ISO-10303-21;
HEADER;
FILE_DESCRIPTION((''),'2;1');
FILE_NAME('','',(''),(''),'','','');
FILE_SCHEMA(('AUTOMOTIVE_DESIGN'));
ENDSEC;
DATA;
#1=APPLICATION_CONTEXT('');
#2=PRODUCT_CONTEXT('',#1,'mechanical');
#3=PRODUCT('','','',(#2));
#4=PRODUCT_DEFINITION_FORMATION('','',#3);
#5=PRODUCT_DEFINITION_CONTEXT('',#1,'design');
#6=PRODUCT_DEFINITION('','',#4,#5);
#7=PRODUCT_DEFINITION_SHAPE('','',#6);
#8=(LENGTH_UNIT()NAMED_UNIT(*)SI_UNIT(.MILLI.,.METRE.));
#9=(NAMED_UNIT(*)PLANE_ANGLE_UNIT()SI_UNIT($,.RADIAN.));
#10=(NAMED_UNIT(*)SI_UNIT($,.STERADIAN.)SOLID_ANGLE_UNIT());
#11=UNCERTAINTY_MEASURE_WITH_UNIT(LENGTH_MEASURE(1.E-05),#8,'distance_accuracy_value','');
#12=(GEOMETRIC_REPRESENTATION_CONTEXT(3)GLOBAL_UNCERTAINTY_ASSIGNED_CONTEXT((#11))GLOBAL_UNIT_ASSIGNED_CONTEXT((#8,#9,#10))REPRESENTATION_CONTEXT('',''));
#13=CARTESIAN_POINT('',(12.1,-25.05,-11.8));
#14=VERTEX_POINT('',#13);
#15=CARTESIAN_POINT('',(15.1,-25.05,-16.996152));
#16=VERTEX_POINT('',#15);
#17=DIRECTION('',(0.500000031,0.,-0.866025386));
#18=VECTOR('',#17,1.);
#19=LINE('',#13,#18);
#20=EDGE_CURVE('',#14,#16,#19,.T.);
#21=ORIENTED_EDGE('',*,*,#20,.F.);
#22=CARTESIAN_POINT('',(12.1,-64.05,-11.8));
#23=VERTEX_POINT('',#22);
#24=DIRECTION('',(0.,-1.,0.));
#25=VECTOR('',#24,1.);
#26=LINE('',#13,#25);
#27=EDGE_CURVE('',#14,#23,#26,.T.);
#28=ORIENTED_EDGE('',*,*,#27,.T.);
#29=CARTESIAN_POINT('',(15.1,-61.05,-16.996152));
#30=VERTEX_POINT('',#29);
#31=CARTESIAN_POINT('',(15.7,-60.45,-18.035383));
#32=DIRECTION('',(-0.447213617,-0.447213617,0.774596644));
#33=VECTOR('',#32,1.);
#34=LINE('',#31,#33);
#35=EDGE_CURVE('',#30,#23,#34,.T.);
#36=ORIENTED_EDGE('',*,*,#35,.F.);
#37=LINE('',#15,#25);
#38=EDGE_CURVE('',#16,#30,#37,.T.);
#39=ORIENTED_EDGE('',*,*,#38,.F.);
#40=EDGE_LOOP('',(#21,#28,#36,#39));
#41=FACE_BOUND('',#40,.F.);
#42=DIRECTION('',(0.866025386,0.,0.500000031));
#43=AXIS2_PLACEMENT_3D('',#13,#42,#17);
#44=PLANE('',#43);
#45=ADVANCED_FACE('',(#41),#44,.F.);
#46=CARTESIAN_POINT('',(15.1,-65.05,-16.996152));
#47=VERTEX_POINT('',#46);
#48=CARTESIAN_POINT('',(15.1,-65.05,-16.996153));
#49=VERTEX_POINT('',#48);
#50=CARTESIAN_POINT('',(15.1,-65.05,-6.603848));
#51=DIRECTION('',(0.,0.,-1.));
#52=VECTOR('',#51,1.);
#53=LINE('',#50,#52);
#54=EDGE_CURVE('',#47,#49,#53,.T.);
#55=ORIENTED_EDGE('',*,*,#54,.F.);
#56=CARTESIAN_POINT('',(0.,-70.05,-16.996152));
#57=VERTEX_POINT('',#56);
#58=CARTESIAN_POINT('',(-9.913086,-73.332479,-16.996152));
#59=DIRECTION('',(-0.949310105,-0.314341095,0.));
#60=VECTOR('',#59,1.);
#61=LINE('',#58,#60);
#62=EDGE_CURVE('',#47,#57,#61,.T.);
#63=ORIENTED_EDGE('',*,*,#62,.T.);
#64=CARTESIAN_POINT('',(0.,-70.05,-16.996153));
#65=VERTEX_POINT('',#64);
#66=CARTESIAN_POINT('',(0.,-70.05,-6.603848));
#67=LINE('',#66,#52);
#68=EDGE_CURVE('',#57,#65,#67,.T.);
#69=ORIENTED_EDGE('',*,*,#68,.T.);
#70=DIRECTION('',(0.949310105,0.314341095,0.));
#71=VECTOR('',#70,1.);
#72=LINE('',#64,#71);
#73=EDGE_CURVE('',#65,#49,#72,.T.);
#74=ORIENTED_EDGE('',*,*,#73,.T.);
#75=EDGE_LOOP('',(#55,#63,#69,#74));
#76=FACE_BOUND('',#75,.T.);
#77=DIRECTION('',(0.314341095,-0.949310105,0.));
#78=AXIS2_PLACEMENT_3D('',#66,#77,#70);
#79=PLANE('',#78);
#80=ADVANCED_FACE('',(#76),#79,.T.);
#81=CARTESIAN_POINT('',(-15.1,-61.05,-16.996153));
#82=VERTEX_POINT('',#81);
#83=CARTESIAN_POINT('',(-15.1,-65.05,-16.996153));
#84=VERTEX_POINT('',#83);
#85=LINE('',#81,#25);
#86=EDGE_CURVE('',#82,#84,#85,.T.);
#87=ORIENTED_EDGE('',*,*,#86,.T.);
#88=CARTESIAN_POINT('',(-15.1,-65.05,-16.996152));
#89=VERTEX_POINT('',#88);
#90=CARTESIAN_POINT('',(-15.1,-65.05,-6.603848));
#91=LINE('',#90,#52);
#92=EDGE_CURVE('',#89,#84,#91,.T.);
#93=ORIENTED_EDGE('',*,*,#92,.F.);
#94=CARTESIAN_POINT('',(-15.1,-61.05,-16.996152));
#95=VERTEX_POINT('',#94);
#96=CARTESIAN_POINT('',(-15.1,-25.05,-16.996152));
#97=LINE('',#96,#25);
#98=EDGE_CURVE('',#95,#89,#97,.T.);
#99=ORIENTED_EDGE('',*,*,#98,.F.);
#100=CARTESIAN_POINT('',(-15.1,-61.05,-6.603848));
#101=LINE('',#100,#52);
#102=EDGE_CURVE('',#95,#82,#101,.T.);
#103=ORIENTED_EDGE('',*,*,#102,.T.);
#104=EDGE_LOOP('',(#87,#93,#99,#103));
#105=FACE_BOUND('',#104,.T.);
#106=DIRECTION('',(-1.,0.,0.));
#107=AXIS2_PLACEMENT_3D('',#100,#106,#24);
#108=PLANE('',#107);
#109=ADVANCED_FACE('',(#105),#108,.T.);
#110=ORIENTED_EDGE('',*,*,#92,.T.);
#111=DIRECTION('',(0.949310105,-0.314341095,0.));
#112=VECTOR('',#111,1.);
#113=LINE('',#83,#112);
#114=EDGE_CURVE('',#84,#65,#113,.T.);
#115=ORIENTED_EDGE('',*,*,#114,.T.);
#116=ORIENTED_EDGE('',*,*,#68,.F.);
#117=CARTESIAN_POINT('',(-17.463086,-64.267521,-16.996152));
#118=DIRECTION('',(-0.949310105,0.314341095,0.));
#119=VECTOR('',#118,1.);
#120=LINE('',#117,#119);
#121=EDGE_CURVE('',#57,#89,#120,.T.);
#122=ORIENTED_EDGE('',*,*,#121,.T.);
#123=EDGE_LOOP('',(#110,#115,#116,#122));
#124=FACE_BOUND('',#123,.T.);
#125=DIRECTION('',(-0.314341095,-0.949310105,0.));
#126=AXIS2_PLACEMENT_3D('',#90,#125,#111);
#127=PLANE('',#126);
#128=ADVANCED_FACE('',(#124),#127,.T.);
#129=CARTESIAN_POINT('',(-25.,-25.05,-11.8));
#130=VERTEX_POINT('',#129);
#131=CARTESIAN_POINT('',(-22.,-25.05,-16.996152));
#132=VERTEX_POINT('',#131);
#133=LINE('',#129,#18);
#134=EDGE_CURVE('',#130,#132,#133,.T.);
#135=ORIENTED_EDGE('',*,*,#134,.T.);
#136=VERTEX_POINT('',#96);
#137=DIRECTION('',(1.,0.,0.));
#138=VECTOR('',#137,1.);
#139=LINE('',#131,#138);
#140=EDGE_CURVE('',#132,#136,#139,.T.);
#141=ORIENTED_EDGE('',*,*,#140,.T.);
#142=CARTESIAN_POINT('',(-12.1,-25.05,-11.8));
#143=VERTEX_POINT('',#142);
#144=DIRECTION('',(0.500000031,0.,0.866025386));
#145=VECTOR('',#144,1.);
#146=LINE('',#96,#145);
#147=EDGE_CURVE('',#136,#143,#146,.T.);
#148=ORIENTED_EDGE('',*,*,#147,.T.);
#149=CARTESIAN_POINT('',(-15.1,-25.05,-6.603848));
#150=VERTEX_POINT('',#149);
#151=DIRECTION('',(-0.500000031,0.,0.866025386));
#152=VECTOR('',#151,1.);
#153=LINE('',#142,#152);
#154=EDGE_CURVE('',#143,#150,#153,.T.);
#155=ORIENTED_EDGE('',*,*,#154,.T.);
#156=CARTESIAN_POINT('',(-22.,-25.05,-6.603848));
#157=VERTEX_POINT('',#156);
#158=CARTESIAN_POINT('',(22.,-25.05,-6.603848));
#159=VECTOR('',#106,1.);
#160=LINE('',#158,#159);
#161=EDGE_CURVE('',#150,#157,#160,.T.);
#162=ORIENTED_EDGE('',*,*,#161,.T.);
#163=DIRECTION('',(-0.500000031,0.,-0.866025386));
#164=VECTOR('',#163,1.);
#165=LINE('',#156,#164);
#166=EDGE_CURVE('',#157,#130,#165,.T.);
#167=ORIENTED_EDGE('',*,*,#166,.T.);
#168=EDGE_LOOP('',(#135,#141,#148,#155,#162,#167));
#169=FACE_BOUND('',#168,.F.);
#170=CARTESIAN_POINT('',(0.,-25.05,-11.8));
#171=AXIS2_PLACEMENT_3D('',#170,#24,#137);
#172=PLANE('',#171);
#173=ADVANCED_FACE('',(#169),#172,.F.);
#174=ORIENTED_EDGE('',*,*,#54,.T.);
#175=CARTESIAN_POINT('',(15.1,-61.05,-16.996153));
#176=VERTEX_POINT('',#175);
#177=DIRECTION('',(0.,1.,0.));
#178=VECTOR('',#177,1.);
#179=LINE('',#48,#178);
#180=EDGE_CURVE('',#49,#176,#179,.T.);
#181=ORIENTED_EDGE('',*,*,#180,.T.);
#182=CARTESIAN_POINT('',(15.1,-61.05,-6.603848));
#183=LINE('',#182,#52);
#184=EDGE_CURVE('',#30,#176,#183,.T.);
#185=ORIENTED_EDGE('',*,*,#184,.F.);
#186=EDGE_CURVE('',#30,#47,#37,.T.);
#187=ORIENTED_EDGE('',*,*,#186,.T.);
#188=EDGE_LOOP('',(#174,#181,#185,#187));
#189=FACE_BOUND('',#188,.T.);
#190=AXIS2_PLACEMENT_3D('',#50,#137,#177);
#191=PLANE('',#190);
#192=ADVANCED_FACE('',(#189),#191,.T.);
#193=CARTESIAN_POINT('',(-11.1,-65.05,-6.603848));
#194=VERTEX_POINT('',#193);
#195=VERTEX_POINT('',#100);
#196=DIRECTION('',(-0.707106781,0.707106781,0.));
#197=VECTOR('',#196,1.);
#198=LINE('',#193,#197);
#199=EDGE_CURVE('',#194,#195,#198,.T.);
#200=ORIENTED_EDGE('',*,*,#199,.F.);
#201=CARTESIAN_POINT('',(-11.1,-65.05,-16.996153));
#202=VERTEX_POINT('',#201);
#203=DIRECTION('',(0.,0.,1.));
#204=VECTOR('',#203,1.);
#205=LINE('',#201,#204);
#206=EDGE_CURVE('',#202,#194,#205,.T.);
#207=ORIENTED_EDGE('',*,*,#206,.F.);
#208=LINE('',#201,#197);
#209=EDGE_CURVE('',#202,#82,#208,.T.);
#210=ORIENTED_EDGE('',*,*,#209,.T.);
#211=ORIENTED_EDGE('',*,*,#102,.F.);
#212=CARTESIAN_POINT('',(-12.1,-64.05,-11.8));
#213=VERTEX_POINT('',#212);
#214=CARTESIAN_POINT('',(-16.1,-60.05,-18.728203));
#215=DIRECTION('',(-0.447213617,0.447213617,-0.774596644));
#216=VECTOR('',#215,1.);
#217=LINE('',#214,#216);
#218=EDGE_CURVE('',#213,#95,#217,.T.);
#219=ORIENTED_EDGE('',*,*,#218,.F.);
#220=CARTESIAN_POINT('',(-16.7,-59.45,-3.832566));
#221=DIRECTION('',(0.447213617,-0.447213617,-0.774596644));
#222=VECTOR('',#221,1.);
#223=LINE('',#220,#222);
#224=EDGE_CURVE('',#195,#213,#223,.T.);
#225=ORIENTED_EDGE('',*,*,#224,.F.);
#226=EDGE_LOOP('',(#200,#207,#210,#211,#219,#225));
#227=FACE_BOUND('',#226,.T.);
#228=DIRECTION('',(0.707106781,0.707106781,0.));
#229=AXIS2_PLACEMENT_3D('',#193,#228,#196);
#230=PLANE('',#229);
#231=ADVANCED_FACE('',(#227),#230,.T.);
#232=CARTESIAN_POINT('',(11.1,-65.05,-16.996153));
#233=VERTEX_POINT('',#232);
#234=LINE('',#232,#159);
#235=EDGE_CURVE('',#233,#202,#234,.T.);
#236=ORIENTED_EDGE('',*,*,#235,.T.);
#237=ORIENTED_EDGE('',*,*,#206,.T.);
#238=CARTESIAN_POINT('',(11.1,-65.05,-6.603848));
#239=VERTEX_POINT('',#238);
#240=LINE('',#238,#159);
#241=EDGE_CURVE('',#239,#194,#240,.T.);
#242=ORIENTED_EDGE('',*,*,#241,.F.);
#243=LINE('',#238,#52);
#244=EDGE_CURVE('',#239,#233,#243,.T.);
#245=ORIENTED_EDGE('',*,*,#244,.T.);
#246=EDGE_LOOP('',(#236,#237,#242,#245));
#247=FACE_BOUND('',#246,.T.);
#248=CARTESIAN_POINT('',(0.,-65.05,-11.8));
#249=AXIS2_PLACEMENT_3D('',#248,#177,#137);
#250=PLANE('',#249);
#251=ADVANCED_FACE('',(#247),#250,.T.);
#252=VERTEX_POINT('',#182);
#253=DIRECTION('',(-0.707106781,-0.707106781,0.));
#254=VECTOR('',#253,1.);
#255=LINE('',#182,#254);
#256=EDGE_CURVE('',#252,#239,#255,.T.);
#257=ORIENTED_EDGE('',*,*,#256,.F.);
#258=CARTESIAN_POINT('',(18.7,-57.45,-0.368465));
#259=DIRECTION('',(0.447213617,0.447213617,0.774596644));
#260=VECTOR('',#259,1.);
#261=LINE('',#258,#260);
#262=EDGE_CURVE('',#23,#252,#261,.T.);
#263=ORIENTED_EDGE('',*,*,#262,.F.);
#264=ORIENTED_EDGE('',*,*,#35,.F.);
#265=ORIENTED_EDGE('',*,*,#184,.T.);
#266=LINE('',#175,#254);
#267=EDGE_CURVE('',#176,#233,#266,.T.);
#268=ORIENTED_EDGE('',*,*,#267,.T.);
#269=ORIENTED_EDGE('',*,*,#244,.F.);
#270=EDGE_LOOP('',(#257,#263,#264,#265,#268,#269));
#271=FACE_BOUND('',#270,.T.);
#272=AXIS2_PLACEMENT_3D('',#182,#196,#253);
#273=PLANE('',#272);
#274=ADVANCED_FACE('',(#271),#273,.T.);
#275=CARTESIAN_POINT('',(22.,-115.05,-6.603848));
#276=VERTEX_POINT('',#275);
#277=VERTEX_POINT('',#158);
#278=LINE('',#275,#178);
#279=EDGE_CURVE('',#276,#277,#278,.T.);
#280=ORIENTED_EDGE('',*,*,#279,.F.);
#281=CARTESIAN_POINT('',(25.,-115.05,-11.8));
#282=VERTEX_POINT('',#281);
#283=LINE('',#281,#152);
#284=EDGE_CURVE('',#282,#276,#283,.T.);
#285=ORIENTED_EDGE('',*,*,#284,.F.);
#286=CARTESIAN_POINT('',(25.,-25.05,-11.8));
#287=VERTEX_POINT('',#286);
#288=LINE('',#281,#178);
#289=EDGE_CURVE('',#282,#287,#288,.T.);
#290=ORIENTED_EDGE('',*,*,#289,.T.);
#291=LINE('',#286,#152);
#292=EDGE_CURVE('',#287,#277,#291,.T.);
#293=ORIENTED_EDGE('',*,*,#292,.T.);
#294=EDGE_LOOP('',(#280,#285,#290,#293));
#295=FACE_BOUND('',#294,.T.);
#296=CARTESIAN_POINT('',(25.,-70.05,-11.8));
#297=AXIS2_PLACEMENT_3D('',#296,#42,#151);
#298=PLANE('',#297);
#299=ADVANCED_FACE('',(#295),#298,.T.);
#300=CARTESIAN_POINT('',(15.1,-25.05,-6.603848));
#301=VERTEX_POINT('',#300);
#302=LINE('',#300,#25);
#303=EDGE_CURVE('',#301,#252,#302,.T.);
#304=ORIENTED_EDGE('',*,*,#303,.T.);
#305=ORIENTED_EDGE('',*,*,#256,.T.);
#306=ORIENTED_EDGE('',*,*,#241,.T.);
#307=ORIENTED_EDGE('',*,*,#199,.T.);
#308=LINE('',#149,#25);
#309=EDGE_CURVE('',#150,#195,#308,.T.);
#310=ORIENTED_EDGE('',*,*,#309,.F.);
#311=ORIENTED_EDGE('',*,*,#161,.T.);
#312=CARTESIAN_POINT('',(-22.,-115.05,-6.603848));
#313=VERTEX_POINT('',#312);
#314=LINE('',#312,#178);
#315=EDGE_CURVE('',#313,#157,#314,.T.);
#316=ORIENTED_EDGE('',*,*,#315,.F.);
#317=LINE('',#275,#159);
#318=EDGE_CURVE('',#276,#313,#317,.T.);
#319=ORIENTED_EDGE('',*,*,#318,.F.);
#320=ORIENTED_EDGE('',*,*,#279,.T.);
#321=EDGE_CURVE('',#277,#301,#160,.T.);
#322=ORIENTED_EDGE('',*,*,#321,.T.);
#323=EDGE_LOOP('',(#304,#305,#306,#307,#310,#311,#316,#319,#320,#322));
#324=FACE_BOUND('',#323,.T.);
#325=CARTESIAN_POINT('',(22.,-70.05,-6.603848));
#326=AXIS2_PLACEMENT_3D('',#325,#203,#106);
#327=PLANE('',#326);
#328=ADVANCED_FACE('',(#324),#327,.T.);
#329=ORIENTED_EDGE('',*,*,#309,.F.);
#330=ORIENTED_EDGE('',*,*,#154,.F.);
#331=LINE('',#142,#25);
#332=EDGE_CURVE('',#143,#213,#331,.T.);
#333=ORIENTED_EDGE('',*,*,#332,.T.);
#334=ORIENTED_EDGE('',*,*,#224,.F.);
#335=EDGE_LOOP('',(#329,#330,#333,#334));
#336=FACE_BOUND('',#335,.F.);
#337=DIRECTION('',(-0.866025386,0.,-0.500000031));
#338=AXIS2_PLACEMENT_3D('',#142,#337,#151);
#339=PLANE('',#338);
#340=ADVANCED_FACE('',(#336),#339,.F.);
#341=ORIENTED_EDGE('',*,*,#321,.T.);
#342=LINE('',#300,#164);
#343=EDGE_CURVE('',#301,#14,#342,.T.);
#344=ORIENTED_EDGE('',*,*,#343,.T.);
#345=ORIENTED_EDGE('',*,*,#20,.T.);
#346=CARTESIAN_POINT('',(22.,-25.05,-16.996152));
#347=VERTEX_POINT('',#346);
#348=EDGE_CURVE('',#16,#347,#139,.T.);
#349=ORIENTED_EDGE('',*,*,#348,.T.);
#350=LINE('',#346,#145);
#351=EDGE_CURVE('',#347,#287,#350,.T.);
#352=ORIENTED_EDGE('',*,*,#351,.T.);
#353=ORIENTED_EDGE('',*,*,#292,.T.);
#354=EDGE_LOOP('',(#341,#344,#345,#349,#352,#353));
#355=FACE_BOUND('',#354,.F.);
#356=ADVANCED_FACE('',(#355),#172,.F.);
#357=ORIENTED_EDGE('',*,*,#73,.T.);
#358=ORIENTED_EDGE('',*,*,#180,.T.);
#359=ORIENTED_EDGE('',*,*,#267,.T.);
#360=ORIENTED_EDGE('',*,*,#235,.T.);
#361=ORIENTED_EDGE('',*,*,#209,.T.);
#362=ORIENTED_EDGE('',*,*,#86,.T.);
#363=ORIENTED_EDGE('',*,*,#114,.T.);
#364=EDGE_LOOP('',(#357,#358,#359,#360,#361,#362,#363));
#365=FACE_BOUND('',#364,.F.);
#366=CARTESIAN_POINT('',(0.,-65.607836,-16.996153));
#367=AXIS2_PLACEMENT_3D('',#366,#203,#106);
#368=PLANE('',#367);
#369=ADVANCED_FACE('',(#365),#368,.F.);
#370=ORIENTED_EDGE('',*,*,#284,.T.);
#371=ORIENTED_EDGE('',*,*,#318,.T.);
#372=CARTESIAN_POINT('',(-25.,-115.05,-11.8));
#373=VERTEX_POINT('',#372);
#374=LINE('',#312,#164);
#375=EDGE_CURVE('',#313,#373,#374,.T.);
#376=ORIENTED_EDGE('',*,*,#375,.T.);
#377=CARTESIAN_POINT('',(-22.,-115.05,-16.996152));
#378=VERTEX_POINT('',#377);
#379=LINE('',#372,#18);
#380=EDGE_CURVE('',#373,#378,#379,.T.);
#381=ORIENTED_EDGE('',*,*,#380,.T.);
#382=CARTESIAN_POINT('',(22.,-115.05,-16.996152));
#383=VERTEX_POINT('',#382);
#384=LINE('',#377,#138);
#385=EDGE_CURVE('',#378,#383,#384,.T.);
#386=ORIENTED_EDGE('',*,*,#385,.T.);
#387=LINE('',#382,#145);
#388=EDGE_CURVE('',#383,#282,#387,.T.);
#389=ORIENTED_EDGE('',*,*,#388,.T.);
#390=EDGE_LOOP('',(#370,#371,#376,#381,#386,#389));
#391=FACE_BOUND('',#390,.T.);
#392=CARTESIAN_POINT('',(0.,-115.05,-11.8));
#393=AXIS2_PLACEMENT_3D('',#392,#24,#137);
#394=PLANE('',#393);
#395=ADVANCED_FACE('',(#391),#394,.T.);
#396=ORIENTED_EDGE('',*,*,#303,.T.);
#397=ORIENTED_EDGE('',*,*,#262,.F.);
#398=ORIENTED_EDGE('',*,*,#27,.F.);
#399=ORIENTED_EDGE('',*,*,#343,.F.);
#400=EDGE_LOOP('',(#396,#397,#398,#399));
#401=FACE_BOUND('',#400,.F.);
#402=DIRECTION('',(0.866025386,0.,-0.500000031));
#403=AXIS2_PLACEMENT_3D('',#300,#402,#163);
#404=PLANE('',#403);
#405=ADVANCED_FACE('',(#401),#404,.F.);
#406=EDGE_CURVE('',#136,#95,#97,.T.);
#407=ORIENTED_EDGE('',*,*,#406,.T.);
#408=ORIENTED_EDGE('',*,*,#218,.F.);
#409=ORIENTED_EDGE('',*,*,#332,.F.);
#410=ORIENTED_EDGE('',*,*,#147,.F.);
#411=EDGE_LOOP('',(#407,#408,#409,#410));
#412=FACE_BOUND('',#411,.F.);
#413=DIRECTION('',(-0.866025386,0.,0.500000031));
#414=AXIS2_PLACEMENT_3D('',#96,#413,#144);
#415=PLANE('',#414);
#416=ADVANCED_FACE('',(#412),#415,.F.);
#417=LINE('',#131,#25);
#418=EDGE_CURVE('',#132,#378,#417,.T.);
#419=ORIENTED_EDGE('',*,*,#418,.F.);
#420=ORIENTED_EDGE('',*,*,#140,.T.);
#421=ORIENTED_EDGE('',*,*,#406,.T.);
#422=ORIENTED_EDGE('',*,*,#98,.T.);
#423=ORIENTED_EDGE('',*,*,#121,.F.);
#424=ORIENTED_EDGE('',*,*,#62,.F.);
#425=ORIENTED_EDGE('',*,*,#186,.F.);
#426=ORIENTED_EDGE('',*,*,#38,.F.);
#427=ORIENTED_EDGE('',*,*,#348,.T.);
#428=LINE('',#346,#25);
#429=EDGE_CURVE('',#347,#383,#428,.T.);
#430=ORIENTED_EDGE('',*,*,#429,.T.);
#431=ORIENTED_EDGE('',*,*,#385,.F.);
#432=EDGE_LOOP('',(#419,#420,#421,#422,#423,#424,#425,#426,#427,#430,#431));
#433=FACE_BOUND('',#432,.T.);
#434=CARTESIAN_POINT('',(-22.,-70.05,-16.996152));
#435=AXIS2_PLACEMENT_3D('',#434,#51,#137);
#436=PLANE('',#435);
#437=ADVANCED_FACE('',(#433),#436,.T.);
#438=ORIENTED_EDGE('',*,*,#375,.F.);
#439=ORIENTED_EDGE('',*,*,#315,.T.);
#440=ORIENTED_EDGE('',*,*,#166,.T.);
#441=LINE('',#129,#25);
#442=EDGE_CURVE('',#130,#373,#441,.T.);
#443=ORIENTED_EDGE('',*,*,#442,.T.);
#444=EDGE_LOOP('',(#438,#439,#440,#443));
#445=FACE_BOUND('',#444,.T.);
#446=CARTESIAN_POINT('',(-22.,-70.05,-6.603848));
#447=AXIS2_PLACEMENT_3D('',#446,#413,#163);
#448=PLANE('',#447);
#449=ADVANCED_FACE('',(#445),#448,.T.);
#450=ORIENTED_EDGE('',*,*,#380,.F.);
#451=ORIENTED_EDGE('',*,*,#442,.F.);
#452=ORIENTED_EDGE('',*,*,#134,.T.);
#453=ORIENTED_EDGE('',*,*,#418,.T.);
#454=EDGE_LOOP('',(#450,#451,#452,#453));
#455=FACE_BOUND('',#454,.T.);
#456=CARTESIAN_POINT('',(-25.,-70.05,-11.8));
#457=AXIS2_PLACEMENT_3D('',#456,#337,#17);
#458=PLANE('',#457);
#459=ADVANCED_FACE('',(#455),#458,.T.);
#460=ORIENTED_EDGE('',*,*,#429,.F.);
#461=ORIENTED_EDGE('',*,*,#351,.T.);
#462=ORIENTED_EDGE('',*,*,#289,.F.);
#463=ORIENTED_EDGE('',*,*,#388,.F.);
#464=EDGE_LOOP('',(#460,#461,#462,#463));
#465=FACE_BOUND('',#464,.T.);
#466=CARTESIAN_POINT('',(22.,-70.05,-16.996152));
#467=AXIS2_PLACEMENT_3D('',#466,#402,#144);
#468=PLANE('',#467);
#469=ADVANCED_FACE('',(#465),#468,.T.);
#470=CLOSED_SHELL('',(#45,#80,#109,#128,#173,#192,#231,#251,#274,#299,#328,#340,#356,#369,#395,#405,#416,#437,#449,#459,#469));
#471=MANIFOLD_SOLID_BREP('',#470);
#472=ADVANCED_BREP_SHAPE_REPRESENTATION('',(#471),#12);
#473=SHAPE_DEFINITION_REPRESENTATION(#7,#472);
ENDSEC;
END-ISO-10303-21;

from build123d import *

# Parameters (mm, degrees)
PAD008_DEPTH    = 45
POCKET003_DEPTH = 40
PAD009_DEPTH    = 10.392305


with BuildPart() as part:
    # Sketch013 → Pad008 (new body, symmetric)
    with BuildSketch(Plane.XZ):
        Polygon((-22, 5.196152), (-25, 0), (-22, -5.196152), (22, -5.196152), (25, 0), (22, 5.196152), align=None)
    extrude(amount=PAD008_DEPTH, both=True)

    # Sketch014 (on Face7 of Pad008) → Pocket003 (cut)
    with BuildSketch(Plane(origin=(0, 45, 0), x_dir=(1, 0, 0), z_dir=(0, 1, 0))):
        Polygon((15.1, -5.196152), (12.1, 0), (15.1, 5.196152), (-15.1, 5.196152), (-12.1, 0), (-15.1, -5.196152), align=None)
    extrude(amount=-POCKET003_DEPTH, mode=Mode.SUBTRACT)

    # Sketch015 (on Face1 of Pocket003) → Pad009 (join)
    with BuildSketch(Plane(origin=(0, 0, 5.196152), x_dir=(-1, 0, 0), z_dir=(0, 0, 1))):
        Polygon((-15.1, -5), (-15.1, -9), (-11.1, -5), (11.1, -5), (15.1, -9), (15.1, -5), (0, 0), align=None)
    extrude(amount=-PAD009_DEPTH)


with BuildPart() as part_1:
    # Body004 placement: moved
    add(part.part.moved(Location((0, -70.05, -11.8))))


solid = part_1.part
